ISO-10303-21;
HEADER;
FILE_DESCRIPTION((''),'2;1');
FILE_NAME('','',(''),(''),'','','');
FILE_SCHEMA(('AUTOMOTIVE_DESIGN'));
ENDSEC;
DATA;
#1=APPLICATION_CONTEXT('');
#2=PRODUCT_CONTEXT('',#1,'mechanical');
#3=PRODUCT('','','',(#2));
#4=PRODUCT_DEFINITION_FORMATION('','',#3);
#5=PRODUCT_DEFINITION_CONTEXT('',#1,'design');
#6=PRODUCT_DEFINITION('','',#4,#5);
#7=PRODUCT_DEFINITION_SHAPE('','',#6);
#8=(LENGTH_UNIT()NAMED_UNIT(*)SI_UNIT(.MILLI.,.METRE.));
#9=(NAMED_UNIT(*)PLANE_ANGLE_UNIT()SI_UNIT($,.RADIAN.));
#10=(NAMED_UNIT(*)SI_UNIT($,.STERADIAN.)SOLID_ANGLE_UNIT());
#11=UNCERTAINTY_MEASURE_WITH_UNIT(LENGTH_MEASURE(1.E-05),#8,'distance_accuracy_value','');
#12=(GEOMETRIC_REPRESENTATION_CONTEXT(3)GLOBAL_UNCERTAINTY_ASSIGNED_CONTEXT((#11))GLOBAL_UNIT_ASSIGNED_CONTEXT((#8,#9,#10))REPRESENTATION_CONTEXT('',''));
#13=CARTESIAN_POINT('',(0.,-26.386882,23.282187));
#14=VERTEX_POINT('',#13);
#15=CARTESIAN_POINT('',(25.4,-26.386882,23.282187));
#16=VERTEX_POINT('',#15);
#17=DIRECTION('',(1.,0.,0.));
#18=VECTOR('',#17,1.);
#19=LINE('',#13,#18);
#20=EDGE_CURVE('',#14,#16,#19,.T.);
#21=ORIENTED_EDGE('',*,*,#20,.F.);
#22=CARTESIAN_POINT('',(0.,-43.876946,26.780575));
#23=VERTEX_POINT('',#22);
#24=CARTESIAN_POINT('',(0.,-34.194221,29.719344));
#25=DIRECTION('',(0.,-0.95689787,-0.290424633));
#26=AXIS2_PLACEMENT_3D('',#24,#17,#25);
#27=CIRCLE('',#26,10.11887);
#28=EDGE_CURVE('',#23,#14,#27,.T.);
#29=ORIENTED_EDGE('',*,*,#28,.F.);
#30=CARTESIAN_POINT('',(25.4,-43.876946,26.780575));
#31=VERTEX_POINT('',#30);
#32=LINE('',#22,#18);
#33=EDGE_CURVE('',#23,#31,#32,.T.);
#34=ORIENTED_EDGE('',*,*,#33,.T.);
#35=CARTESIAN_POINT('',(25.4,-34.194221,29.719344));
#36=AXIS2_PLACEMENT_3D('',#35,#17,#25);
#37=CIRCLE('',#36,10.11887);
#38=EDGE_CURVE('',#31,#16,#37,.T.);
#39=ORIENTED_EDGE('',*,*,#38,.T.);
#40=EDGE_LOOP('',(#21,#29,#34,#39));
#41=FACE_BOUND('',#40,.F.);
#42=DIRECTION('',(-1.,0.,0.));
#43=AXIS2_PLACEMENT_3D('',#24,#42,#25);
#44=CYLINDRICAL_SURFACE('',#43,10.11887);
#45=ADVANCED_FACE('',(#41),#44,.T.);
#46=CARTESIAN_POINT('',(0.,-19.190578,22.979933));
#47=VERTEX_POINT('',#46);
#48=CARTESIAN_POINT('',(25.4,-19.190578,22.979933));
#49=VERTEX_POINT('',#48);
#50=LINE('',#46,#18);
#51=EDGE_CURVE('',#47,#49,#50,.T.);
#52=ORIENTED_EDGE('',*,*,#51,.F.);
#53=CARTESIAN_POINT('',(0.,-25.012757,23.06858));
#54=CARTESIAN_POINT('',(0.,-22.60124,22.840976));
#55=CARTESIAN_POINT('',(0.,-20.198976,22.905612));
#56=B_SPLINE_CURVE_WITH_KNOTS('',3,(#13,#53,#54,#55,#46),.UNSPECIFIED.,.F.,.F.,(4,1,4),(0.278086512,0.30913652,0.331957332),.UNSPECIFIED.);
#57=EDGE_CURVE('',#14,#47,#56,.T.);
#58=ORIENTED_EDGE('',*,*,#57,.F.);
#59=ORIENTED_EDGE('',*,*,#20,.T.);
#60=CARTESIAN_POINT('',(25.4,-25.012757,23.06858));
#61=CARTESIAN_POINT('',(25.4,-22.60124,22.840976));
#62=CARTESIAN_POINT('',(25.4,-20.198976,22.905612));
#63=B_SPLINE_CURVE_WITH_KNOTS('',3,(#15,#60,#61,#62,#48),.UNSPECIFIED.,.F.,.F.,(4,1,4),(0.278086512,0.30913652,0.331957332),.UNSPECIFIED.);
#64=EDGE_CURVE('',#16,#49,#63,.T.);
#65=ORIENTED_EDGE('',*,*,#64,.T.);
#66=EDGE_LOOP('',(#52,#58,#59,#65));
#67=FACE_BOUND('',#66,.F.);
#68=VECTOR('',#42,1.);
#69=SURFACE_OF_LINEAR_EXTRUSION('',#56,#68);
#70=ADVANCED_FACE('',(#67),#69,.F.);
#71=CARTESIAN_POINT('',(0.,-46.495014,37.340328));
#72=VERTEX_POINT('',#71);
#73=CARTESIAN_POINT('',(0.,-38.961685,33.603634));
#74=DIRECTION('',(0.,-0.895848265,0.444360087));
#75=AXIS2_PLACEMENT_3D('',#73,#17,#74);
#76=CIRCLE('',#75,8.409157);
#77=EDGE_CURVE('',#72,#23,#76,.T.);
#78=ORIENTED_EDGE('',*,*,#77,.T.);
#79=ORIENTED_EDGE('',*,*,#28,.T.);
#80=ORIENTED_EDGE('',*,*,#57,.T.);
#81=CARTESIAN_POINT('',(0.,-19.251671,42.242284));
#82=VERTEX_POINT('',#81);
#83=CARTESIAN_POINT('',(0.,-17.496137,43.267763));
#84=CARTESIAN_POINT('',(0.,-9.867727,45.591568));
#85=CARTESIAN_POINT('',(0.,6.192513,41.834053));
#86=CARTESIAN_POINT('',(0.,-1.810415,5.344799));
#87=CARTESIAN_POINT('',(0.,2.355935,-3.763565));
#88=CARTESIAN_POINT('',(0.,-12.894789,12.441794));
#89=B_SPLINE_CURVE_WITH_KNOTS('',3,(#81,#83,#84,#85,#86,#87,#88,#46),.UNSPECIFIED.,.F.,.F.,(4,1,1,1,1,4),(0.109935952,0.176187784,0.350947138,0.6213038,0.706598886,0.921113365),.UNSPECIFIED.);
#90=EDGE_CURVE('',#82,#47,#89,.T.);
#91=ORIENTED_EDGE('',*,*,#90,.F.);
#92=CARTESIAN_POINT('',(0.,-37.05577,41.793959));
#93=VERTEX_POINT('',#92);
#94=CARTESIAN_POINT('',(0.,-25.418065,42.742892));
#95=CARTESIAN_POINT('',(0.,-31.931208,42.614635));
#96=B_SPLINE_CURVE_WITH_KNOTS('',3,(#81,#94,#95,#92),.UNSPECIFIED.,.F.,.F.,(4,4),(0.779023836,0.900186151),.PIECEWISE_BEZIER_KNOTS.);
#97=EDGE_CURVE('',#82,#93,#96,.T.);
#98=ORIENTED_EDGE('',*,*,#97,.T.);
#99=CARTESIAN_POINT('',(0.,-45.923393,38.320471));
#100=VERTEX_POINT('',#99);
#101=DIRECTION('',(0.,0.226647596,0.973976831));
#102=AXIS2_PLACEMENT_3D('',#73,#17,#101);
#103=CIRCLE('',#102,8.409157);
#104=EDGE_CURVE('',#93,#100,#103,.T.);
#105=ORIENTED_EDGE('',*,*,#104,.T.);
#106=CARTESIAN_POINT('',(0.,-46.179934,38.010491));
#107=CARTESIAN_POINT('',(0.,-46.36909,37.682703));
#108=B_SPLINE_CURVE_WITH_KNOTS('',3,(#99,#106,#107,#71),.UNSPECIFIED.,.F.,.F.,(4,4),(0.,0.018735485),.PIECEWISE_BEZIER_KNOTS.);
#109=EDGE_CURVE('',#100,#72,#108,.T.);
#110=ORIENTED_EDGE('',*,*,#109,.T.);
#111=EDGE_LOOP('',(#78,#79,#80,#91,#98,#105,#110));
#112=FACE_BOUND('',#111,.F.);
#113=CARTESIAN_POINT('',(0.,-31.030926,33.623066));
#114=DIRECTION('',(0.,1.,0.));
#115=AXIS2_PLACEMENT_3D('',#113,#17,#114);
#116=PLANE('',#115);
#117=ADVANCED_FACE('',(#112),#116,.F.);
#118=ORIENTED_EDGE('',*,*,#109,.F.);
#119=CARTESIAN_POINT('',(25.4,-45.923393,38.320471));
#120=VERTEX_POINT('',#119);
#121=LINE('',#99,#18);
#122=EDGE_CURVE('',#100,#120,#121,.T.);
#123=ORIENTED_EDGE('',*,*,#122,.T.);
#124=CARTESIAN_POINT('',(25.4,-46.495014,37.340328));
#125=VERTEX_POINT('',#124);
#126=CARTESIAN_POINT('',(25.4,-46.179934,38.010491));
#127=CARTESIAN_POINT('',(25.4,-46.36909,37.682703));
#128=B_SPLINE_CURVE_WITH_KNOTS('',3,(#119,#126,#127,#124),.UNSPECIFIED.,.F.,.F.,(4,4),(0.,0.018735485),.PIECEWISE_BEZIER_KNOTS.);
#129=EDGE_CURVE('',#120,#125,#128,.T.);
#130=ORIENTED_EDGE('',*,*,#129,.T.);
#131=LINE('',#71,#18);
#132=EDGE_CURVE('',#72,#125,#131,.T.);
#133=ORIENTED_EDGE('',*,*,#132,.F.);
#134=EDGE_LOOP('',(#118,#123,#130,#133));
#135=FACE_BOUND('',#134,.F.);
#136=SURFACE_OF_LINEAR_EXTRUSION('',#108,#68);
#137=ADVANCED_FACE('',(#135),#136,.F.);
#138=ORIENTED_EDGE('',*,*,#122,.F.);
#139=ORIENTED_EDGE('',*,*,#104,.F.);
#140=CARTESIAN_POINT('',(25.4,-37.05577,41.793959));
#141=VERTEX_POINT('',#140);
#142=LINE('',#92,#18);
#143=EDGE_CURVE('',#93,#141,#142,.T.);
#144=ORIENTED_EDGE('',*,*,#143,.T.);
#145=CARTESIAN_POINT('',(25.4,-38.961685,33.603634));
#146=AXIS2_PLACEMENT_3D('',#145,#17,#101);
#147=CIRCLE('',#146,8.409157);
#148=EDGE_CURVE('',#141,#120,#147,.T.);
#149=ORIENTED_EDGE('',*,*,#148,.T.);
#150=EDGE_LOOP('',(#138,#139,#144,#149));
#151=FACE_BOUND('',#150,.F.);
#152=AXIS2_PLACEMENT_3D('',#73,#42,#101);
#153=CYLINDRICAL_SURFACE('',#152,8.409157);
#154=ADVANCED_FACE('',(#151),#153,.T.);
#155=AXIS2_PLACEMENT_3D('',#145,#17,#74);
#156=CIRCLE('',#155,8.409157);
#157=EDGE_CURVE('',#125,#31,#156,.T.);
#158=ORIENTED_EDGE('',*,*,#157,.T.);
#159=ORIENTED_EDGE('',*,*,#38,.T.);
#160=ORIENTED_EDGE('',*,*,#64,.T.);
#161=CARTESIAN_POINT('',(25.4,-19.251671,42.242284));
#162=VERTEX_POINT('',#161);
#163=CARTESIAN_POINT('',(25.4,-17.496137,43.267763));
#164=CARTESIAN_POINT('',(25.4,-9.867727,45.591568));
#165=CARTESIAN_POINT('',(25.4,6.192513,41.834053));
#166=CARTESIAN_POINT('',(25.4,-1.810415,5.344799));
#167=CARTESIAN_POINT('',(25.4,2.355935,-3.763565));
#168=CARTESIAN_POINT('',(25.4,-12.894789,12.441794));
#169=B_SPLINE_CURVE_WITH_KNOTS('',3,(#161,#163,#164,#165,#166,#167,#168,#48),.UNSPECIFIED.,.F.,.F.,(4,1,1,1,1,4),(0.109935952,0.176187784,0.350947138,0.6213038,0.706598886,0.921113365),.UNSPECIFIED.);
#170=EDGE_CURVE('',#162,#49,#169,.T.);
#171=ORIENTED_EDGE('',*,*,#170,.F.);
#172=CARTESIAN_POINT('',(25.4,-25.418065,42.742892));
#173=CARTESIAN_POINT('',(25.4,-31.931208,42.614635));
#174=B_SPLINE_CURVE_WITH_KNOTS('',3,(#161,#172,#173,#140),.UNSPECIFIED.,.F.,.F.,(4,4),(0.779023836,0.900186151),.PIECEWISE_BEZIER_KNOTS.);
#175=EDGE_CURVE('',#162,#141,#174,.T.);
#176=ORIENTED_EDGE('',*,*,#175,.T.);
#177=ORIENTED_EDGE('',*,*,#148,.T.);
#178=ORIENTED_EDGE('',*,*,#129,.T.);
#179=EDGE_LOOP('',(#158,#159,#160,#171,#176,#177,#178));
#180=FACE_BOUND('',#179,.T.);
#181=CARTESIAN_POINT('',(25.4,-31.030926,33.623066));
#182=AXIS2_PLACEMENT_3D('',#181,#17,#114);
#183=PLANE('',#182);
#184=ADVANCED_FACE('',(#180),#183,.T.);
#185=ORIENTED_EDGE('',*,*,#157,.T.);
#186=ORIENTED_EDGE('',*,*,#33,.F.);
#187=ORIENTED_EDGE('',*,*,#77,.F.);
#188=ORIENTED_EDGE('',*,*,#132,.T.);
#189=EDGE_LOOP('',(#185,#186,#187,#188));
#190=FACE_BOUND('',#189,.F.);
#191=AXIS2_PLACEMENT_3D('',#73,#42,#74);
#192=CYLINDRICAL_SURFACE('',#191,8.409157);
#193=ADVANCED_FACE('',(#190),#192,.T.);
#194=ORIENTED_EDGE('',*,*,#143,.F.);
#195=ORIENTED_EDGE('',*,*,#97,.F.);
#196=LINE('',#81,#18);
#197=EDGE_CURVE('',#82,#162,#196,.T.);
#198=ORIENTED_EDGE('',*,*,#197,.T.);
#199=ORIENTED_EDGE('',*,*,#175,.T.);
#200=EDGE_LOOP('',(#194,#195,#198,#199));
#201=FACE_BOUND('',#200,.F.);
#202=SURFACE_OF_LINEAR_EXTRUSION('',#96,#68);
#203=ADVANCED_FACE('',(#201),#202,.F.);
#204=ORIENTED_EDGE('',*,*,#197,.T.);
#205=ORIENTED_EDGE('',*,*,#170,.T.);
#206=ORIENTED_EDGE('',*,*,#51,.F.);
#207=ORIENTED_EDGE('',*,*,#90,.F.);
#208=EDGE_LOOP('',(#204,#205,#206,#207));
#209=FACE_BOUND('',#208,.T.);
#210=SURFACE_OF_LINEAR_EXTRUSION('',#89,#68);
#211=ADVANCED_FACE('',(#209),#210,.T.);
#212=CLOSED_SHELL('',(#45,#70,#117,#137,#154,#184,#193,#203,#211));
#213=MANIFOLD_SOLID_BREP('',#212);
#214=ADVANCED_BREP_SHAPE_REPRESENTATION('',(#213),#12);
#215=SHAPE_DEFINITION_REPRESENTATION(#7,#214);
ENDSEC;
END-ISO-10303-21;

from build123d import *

# Parameters (mm, degrees)
F1_DEPTH = 25.4


with BuildPart() as f1:
    # F0 (on Right) → F1 (new body)
    with BuildSketch(Plane.YZ):
        with BuildLine():
            add(Edge.make_bspline(
                [(-19.2516709124, 42.2422844533), (-25.4180651929, 42.7428924713), (-31.9312076278, 42.6146347321), (-37.0557698194, 41.7939585518)],
                knots=[0.779023836, 0.779023836, 0.779023836, 0.779023836, 0.900186151, 0.900186151, 0.900186151, 0.900186151], degree=3))
            add(Edge.make_bspline(
                [(-37.0557698194, 41.7939585518), (-41.2773982782, 41.1178832523), (-44.5566653921, 39.9718974982), (-45.9233932197, 38.3204706013)],
                knots=[0.900186151, 0.900186151, 0.900186151, 0.900186151, 1, 1, 1, 1], degree=3))
            ThreePointArc((-45.9233932197, 38.3204706013), (-46.2257538217, 37.8400514526), (-46.4950140005, 37.3403280809))
            add(Edge.make_bspline(
                [(-46.4950140005, 37.3403280809), (-47.125304192, 35.6266298388), (-46.1714074928, 33.5474887118), (-44.1539502727, 31.5068887672)],
                knots=[0.0187354852, 0.0187354852, 0.0187354852, 0.0187354852, 0.1125127868, 0.1125127868, 0.1125127868, 0.1125127868], degree=3))
            add(Edge.make_bspline(
                [(-44.1539502727, 31.5068887672), (-40.5919165932, 27.9039941648), (-33.7143787143, 24.4212464176), (-26.3868815692, 23.282187328)],
                knots=[0.1125127868, 0.1125127868, 0.1125127868, 0.1125127868, 0.2780865116, 0.2780865116, 0.2780865116, 0.2780865116], degree=3))
            add(Edge.make_bspline(
                [(-26.3868815692, 23.282187328), (-25.0127574411, 23.0685797963), (-22.6012399006, 22.8409760307), (-20.1989760382, 22.9056116045), (-19.1905778042, 22.9799334775)],
                knots=[0.2780865116, 0.2780865116, 0.2780865116, 0.2780865116, 0.3091365203, 0.3319573316, 0.3319573316, 0.3319573316, 0.3319573316], degree=3))
            add(Edge.make_bspline(
                [(-19.1905777925, 22.9799334911), (-21.5058229138, 26.8552819506), (-23.1967976321, 30.5877078512), (-23.5898643732, 33.5901193321)],
                knots=[0.9211133647, 0.9211133647, 0.9211133647, 0.9211133647, 1, 1, 1, 1], degree=3))
            add(Edge.make_bspline(
                [(-23.5898643732, 33.5901193321), (-24.1376398763, 37.7742623468), (-22.1647423287, 40.5406409998), (-19.2516709091, 42.2422844406)],
                knots=[0, 0, 0, 0, 0.1099359518, 0.1099359518, 0.1099359518, 0.1099359518], degree=3))
        make_face()
        with BuildLine():
            add(Edge.make_bspline(
                [(-37.0557698194, 41.7939585518), (-41.2773982782, 41.1178832523), (-44.5566653921, 39.9718974982), (-45.9233932197, 38.3204706013)],
                knots=[0.900186151, 0.900186151, 0.900186151, 0.900186151, 1, 1, 1, 1], degree=3))
            ThreePointArc((-37.0557698194, 41.7939585518), (-42.0286934036, 41.4335375195), (-45.9233932197, 38.3204706013))
        make_face()
        with BuildLine():
            ThreePointArc((-46.4950140005, 37.3403280809), (-46.2257538217, 37.8400514526), (-45.9233932197, 38.3204706013))
            add(Edge.make_bspline(
                [(-45.9233932197, 38.3204706013), (-46.179933863, 38.0104907283), (-46.3690902174, 37.6827027023), (-46.4950140005, 37.3403280809)],
                knots=[0, 0, 0, 0, 0.0187354852, 0.0187354852, 0.0187354852, 0.0187354852], degree=3))
        make_face()
        with BuildLine():
            add(Edge.make_bspline(
                [(-19.2516709091, 42.2422844406), (-17.4961367608, 43.2677633039), (-9.8677267463, 45.5915683384), (6.1925129739, 41.8340525506), (-1.8104152929, 5.3447987534), (2.355934836, -3.7635650252), (-12.8947889291, 12.4417941606), (-19.1905777925, 22.9799334911)],
                knots=[0.1099359518, 0.1099359518, 0.1099359518, 0.1099359518, 0.1761877836, 0.3509471381, 0.6213037996, 0.7065988862, 0.9211133647, 0.9211133647, 0.9211133647, 0.9211133647], degree=3))
            add(Edge.make_bspline(
                [(-19.1905778042, 22.9799334775), (-7.0912482036, 23.8716891432), (10.4890257051, 36.3613867908), (-10.4343655651, 41.5264668209), (-19.2516709124, 42.2422844533)],
                knots=[0.3319573316, 0.3319573316, 0.3319573316, 0.3319573316, 0.6057742709, 0.779023836, 0.779023836, 0.779023836, 0.779023836], degree=3))
        make_face()
        with BuildLine():
            add(Edge.make_bspline(
                [(-19.1905778042, 22.9799334775), (-7.0912482036, 23.8716891432), (10.4890257051, 36.3613867908), (-10.4343655651, 41.5264668209), (-19.2516709124, 42.2422844533)],
                knots=[0.3319573316, 0.3319573316, 0.3319573316, 0.3319573316, 0.6057742709, 0.779023836, 0.779023836, 0.779023836, 0.779023836], degree=3))
            add(Edge.make_bspline(
                [(-23.5898643732, 33.5901193321), (-24.1376398763, 37.7742623468), (-22.1647423287, 40.5406409998), (-19.2516709091, 42.2422844406)],
                knots=[0, 0, 0, 0, 0.1099359518, 0.1099359518, 0.1099359518, 0.1099359518], degree=3))
            add(Edge.make_bspline(
                [(-19.1905777925, 22.9799334911), (-21.5058229138, 26.8552819506), (-23.1967976321, 30.5877078512), (-23.5898643732, 33.5901193321)],
                knots=[0.9211133647, 0.9211133647, 0.9211133647, 0.9211133647, 1, 1, 1, 1], degree=3))
        make_face()
        with BuildLine():
            add(Edge.make_bspline(
                [(-46.4950140005, 37.3403280809), (-47.125304192, 35.6266298388), (-46.1714074928, 33.5474887118), (-44.1539502727, 31.5068887672)],
                knots=[0.0187354852, 0.0187354852, 0.0187354852, 0.0187354852, 0.1125127868, 0.1125127868, 0.1125127868, 0.1125127868], degree=3))
            ThreePointArc((-46.4950140005, 37.3403280809), (-47.1237278582, 31.580027774), (-43.8769457932, 26.7805749966))
            ThreePointArc((-43.8769457932, 26.7805749966), (-44.2957560659, 29.127303311), (-44.1539502727, 31.5068887672))
        make_face()
        with BuildLine():
            add(Edge.make_bspline(
                [(-44.1539502727, 31.5068887672), (-40.5919165932, 27.9039941648), (-33.7143787143, 24.4212464176), (-26.3868815692, 23.282187328)],
                knots=[0.1125127868, 0.1125127868, 0.1125127868, 0.1125127868, 0.2780865116, 0.2780865116, 0.2780865116, 0.2780865116], degree=3))
            ThreePointArc((-44.1539502727, 31.5068887672), (-44.2957560659, 29.127303311), (-43.8769457932, 26.7805749966))
            ThreePointArc((-43.8769457932, 26.7805749966), (-36.1788987701, 19.7970165972), (-26.3868815692, 23.282187328))
        make_face()
    extrude(amount=F1_DEPTH)


solid = f1.part
